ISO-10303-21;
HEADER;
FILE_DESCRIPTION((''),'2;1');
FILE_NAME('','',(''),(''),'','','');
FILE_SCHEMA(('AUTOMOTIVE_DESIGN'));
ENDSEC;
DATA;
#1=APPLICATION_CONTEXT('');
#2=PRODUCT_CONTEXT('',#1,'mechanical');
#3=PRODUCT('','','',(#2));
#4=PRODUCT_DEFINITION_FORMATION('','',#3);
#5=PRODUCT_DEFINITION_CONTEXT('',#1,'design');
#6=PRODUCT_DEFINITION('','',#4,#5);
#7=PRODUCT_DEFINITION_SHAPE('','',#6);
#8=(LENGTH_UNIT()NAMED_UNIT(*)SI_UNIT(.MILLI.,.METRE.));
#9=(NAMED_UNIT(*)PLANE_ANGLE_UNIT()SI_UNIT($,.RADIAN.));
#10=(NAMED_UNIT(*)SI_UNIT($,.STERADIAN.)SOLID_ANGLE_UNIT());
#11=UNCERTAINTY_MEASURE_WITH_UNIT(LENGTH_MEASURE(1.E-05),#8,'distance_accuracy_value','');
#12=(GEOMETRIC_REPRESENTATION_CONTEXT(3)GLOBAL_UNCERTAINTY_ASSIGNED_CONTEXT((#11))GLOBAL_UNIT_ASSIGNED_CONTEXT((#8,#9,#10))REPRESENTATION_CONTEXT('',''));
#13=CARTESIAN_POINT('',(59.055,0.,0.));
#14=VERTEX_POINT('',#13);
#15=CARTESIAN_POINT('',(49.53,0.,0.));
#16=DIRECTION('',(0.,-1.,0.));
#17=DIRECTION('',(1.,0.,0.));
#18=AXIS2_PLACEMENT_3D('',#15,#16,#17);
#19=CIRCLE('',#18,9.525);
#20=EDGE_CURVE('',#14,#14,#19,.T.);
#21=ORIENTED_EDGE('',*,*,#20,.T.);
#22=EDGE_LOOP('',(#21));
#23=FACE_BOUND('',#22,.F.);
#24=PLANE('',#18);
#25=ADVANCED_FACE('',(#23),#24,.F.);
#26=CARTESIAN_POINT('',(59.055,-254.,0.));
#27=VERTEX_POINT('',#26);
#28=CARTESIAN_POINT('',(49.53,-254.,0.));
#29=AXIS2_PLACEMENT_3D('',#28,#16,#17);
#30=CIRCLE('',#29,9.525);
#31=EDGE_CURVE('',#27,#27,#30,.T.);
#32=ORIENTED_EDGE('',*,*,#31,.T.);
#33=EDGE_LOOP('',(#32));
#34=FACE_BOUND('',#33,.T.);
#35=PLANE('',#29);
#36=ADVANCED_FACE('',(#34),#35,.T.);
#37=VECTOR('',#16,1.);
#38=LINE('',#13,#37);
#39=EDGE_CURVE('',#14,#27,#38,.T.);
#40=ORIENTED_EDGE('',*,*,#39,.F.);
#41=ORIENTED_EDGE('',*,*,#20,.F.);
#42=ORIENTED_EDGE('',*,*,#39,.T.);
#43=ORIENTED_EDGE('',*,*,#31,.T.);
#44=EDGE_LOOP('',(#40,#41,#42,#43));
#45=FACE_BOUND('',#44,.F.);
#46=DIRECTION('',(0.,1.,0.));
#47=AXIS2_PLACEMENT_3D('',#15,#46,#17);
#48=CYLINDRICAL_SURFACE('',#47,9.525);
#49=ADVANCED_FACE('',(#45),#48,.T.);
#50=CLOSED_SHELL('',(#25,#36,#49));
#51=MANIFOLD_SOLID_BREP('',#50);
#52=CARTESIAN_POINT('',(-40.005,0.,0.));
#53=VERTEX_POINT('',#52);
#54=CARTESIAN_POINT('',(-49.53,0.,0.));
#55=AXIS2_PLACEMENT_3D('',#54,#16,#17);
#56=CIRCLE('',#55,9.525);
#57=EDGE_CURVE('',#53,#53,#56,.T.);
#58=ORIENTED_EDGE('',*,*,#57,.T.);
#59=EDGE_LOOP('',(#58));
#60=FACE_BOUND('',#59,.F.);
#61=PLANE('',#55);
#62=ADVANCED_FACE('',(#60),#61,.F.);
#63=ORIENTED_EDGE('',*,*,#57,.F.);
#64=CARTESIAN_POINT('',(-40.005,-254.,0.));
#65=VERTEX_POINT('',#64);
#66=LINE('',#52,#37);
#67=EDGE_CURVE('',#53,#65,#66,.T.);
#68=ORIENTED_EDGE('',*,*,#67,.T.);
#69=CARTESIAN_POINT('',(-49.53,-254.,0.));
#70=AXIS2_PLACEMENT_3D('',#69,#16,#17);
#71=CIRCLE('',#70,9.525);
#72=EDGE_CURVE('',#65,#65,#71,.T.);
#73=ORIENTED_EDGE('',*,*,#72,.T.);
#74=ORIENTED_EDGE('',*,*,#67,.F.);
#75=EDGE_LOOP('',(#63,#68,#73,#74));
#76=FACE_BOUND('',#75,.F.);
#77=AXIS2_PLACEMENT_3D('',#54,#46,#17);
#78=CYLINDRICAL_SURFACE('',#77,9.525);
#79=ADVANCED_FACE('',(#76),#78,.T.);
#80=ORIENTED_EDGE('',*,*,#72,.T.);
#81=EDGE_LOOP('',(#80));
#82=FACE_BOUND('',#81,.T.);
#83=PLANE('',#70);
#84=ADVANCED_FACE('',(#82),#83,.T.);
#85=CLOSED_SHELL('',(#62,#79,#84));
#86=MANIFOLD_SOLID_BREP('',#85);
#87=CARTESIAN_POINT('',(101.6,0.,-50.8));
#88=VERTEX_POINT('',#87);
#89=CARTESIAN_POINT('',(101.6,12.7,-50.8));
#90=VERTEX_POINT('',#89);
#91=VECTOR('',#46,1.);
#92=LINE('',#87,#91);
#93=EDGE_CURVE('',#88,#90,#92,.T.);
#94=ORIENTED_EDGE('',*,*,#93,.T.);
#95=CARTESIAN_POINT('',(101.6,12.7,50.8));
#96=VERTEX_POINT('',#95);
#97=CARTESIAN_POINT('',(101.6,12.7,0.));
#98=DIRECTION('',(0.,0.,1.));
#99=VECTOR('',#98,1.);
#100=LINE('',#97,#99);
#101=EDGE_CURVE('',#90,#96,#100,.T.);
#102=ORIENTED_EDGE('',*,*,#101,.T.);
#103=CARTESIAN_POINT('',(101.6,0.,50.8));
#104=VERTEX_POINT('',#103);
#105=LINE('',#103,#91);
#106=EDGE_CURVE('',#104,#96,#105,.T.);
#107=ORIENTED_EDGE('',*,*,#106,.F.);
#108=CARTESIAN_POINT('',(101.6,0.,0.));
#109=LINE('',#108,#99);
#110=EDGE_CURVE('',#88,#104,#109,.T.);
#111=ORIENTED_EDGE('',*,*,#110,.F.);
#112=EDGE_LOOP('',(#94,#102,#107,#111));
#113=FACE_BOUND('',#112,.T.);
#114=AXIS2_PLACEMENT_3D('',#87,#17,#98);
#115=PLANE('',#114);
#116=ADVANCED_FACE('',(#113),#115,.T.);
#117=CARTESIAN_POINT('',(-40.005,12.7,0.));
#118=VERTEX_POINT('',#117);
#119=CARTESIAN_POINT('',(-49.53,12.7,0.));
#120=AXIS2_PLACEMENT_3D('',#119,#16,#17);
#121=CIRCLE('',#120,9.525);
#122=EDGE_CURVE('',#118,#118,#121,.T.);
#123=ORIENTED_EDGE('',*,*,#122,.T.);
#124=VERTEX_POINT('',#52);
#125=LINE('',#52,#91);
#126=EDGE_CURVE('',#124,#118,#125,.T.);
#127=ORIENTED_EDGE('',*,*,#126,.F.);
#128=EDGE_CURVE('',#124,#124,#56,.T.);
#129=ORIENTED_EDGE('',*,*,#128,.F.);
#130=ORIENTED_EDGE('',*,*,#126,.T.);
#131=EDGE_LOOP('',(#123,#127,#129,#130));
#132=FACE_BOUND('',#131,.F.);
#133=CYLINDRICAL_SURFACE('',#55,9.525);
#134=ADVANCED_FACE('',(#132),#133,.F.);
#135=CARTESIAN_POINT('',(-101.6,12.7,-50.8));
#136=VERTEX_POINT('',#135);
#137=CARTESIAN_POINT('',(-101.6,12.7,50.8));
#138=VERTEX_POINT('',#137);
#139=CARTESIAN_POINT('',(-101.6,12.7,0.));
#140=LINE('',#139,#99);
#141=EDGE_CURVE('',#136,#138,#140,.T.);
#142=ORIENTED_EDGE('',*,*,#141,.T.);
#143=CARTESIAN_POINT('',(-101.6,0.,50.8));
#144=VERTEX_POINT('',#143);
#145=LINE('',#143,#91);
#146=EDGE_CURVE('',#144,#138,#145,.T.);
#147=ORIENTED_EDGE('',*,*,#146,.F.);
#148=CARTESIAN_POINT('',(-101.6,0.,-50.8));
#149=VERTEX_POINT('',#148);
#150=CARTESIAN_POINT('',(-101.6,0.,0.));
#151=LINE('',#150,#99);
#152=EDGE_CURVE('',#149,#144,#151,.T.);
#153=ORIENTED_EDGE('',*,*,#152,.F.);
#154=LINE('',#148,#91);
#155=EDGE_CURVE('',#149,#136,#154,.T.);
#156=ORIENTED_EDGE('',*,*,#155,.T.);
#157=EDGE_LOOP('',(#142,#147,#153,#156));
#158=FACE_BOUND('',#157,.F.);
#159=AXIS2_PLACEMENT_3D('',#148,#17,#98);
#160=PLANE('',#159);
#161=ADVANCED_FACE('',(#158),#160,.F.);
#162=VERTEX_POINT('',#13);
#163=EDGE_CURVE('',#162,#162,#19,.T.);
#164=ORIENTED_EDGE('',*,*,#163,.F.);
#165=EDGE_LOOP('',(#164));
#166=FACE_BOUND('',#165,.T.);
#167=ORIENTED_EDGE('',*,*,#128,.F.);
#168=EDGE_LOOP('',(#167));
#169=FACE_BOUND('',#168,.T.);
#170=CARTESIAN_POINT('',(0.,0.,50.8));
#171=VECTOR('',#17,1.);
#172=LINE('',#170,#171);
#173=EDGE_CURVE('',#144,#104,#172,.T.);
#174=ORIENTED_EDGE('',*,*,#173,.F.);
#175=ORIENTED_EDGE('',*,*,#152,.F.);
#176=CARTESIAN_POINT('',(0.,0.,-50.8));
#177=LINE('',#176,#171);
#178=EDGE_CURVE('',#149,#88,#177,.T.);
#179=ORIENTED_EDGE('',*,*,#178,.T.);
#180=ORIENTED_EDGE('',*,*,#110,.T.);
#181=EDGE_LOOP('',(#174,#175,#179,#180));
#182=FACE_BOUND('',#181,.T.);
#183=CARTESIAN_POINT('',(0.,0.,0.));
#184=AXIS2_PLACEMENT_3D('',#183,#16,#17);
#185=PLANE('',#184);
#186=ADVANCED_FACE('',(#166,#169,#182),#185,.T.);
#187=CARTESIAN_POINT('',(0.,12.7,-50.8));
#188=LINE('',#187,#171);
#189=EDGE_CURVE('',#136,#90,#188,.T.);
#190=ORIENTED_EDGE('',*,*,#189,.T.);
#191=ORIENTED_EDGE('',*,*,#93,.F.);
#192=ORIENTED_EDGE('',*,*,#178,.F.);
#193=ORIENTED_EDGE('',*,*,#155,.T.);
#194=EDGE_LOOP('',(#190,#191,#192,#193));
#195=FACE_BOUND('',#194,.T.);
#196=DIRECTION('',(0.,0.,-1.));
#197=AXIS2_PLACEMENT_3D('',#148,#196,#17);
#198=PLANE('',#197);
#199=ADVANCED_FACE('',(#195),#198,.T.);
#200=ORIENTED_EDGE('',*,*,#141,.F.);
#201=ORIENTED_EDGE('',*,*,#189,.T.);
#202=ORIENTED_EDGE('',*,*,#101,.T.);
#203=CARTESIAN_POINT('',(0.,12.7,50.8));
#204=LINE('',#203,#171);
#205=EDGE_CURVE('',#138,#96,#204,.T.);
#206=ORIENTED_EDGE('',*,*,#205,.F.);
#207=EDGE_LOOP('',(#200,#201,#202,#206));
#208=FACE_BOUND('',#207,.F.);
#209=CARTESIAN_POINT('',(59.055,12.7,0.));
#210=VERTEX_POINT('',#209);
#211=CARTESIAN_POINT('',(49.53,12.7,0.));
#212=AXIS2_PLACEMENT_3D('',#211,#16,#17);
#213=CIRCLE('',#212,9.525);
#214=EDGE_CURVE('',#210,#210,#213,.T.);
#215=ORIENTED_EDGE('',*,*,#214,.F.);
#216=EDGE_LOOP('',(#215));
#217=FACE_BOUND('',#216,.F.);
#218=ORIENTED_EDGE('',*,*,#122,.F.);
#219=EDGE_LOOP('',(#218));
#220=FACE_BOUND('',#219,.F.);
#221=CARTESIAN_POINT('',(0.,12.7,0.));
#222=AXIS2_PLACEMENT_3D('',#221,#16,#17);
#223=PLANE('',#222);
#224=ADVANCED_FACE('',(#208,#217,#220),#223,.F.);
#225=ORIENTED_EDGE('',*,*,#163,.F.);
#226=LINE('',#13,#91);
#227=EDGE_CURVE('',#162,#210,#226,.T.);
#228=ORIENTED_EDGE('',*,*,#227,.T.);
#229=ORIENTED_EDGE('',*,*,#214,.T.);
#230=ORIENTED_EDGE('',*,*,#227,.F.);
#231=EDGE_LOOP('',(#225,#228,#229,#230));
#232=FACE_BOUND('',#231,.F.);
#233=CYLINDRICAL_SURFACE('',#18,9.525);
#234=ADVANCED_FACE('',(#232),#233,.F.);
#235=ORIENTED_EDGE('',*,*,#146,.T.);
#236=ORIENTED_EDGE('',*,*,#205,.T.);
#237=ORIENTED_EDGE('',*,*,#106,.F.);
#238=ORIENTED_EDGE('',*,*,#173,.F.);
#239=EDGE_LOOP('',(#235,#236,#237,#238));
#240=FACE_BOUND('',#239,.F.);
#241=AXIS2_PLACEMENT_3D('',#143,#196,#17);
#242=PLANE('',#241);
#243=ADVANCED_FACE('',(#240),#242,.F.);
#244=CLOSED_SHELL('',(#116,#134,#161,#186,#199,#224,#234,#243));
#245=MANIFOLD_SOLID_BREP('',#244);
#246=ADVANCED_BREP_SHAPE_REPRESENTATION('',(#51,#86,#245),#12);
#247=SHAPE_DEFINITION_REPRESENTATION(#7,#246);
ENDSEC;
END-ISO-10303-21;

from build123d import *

# Parameters (mm, degrees)
F0_R     = 9.525
F1_DEPTH = 254
F0_W     = 203.2
F0_H     = 101.6
F2_DEPTH = 12.7


with BuildPart() as f1:
    # F0 (on Front) → F1 (new body)
    with BuildSketch(Plane.XZ):
        with Locations((-49.53, 0)):
            Circle(F0_R)
        with Locations((49.53, 0)):
            Circle(F0_R)
    extrude(amount=F1_DEPTH)


with BuildPart() as f2:
    # F0 (on Front) → F2 (new body)
    with BuildSketch(Plane.XZ):
        Rectangle(F0_W, F0_H)
        with Locations((-49.53, 0)):
            Circle(F0_R, mode=Mode.SUBTRACT)
        with Locations((49.53, 0)):
            Circle(F0_R, mode=Mode.SUBTRACT)
    extrude(amount=-F2_DEPTH)


solid = Compound([f1.part, f2.part])
